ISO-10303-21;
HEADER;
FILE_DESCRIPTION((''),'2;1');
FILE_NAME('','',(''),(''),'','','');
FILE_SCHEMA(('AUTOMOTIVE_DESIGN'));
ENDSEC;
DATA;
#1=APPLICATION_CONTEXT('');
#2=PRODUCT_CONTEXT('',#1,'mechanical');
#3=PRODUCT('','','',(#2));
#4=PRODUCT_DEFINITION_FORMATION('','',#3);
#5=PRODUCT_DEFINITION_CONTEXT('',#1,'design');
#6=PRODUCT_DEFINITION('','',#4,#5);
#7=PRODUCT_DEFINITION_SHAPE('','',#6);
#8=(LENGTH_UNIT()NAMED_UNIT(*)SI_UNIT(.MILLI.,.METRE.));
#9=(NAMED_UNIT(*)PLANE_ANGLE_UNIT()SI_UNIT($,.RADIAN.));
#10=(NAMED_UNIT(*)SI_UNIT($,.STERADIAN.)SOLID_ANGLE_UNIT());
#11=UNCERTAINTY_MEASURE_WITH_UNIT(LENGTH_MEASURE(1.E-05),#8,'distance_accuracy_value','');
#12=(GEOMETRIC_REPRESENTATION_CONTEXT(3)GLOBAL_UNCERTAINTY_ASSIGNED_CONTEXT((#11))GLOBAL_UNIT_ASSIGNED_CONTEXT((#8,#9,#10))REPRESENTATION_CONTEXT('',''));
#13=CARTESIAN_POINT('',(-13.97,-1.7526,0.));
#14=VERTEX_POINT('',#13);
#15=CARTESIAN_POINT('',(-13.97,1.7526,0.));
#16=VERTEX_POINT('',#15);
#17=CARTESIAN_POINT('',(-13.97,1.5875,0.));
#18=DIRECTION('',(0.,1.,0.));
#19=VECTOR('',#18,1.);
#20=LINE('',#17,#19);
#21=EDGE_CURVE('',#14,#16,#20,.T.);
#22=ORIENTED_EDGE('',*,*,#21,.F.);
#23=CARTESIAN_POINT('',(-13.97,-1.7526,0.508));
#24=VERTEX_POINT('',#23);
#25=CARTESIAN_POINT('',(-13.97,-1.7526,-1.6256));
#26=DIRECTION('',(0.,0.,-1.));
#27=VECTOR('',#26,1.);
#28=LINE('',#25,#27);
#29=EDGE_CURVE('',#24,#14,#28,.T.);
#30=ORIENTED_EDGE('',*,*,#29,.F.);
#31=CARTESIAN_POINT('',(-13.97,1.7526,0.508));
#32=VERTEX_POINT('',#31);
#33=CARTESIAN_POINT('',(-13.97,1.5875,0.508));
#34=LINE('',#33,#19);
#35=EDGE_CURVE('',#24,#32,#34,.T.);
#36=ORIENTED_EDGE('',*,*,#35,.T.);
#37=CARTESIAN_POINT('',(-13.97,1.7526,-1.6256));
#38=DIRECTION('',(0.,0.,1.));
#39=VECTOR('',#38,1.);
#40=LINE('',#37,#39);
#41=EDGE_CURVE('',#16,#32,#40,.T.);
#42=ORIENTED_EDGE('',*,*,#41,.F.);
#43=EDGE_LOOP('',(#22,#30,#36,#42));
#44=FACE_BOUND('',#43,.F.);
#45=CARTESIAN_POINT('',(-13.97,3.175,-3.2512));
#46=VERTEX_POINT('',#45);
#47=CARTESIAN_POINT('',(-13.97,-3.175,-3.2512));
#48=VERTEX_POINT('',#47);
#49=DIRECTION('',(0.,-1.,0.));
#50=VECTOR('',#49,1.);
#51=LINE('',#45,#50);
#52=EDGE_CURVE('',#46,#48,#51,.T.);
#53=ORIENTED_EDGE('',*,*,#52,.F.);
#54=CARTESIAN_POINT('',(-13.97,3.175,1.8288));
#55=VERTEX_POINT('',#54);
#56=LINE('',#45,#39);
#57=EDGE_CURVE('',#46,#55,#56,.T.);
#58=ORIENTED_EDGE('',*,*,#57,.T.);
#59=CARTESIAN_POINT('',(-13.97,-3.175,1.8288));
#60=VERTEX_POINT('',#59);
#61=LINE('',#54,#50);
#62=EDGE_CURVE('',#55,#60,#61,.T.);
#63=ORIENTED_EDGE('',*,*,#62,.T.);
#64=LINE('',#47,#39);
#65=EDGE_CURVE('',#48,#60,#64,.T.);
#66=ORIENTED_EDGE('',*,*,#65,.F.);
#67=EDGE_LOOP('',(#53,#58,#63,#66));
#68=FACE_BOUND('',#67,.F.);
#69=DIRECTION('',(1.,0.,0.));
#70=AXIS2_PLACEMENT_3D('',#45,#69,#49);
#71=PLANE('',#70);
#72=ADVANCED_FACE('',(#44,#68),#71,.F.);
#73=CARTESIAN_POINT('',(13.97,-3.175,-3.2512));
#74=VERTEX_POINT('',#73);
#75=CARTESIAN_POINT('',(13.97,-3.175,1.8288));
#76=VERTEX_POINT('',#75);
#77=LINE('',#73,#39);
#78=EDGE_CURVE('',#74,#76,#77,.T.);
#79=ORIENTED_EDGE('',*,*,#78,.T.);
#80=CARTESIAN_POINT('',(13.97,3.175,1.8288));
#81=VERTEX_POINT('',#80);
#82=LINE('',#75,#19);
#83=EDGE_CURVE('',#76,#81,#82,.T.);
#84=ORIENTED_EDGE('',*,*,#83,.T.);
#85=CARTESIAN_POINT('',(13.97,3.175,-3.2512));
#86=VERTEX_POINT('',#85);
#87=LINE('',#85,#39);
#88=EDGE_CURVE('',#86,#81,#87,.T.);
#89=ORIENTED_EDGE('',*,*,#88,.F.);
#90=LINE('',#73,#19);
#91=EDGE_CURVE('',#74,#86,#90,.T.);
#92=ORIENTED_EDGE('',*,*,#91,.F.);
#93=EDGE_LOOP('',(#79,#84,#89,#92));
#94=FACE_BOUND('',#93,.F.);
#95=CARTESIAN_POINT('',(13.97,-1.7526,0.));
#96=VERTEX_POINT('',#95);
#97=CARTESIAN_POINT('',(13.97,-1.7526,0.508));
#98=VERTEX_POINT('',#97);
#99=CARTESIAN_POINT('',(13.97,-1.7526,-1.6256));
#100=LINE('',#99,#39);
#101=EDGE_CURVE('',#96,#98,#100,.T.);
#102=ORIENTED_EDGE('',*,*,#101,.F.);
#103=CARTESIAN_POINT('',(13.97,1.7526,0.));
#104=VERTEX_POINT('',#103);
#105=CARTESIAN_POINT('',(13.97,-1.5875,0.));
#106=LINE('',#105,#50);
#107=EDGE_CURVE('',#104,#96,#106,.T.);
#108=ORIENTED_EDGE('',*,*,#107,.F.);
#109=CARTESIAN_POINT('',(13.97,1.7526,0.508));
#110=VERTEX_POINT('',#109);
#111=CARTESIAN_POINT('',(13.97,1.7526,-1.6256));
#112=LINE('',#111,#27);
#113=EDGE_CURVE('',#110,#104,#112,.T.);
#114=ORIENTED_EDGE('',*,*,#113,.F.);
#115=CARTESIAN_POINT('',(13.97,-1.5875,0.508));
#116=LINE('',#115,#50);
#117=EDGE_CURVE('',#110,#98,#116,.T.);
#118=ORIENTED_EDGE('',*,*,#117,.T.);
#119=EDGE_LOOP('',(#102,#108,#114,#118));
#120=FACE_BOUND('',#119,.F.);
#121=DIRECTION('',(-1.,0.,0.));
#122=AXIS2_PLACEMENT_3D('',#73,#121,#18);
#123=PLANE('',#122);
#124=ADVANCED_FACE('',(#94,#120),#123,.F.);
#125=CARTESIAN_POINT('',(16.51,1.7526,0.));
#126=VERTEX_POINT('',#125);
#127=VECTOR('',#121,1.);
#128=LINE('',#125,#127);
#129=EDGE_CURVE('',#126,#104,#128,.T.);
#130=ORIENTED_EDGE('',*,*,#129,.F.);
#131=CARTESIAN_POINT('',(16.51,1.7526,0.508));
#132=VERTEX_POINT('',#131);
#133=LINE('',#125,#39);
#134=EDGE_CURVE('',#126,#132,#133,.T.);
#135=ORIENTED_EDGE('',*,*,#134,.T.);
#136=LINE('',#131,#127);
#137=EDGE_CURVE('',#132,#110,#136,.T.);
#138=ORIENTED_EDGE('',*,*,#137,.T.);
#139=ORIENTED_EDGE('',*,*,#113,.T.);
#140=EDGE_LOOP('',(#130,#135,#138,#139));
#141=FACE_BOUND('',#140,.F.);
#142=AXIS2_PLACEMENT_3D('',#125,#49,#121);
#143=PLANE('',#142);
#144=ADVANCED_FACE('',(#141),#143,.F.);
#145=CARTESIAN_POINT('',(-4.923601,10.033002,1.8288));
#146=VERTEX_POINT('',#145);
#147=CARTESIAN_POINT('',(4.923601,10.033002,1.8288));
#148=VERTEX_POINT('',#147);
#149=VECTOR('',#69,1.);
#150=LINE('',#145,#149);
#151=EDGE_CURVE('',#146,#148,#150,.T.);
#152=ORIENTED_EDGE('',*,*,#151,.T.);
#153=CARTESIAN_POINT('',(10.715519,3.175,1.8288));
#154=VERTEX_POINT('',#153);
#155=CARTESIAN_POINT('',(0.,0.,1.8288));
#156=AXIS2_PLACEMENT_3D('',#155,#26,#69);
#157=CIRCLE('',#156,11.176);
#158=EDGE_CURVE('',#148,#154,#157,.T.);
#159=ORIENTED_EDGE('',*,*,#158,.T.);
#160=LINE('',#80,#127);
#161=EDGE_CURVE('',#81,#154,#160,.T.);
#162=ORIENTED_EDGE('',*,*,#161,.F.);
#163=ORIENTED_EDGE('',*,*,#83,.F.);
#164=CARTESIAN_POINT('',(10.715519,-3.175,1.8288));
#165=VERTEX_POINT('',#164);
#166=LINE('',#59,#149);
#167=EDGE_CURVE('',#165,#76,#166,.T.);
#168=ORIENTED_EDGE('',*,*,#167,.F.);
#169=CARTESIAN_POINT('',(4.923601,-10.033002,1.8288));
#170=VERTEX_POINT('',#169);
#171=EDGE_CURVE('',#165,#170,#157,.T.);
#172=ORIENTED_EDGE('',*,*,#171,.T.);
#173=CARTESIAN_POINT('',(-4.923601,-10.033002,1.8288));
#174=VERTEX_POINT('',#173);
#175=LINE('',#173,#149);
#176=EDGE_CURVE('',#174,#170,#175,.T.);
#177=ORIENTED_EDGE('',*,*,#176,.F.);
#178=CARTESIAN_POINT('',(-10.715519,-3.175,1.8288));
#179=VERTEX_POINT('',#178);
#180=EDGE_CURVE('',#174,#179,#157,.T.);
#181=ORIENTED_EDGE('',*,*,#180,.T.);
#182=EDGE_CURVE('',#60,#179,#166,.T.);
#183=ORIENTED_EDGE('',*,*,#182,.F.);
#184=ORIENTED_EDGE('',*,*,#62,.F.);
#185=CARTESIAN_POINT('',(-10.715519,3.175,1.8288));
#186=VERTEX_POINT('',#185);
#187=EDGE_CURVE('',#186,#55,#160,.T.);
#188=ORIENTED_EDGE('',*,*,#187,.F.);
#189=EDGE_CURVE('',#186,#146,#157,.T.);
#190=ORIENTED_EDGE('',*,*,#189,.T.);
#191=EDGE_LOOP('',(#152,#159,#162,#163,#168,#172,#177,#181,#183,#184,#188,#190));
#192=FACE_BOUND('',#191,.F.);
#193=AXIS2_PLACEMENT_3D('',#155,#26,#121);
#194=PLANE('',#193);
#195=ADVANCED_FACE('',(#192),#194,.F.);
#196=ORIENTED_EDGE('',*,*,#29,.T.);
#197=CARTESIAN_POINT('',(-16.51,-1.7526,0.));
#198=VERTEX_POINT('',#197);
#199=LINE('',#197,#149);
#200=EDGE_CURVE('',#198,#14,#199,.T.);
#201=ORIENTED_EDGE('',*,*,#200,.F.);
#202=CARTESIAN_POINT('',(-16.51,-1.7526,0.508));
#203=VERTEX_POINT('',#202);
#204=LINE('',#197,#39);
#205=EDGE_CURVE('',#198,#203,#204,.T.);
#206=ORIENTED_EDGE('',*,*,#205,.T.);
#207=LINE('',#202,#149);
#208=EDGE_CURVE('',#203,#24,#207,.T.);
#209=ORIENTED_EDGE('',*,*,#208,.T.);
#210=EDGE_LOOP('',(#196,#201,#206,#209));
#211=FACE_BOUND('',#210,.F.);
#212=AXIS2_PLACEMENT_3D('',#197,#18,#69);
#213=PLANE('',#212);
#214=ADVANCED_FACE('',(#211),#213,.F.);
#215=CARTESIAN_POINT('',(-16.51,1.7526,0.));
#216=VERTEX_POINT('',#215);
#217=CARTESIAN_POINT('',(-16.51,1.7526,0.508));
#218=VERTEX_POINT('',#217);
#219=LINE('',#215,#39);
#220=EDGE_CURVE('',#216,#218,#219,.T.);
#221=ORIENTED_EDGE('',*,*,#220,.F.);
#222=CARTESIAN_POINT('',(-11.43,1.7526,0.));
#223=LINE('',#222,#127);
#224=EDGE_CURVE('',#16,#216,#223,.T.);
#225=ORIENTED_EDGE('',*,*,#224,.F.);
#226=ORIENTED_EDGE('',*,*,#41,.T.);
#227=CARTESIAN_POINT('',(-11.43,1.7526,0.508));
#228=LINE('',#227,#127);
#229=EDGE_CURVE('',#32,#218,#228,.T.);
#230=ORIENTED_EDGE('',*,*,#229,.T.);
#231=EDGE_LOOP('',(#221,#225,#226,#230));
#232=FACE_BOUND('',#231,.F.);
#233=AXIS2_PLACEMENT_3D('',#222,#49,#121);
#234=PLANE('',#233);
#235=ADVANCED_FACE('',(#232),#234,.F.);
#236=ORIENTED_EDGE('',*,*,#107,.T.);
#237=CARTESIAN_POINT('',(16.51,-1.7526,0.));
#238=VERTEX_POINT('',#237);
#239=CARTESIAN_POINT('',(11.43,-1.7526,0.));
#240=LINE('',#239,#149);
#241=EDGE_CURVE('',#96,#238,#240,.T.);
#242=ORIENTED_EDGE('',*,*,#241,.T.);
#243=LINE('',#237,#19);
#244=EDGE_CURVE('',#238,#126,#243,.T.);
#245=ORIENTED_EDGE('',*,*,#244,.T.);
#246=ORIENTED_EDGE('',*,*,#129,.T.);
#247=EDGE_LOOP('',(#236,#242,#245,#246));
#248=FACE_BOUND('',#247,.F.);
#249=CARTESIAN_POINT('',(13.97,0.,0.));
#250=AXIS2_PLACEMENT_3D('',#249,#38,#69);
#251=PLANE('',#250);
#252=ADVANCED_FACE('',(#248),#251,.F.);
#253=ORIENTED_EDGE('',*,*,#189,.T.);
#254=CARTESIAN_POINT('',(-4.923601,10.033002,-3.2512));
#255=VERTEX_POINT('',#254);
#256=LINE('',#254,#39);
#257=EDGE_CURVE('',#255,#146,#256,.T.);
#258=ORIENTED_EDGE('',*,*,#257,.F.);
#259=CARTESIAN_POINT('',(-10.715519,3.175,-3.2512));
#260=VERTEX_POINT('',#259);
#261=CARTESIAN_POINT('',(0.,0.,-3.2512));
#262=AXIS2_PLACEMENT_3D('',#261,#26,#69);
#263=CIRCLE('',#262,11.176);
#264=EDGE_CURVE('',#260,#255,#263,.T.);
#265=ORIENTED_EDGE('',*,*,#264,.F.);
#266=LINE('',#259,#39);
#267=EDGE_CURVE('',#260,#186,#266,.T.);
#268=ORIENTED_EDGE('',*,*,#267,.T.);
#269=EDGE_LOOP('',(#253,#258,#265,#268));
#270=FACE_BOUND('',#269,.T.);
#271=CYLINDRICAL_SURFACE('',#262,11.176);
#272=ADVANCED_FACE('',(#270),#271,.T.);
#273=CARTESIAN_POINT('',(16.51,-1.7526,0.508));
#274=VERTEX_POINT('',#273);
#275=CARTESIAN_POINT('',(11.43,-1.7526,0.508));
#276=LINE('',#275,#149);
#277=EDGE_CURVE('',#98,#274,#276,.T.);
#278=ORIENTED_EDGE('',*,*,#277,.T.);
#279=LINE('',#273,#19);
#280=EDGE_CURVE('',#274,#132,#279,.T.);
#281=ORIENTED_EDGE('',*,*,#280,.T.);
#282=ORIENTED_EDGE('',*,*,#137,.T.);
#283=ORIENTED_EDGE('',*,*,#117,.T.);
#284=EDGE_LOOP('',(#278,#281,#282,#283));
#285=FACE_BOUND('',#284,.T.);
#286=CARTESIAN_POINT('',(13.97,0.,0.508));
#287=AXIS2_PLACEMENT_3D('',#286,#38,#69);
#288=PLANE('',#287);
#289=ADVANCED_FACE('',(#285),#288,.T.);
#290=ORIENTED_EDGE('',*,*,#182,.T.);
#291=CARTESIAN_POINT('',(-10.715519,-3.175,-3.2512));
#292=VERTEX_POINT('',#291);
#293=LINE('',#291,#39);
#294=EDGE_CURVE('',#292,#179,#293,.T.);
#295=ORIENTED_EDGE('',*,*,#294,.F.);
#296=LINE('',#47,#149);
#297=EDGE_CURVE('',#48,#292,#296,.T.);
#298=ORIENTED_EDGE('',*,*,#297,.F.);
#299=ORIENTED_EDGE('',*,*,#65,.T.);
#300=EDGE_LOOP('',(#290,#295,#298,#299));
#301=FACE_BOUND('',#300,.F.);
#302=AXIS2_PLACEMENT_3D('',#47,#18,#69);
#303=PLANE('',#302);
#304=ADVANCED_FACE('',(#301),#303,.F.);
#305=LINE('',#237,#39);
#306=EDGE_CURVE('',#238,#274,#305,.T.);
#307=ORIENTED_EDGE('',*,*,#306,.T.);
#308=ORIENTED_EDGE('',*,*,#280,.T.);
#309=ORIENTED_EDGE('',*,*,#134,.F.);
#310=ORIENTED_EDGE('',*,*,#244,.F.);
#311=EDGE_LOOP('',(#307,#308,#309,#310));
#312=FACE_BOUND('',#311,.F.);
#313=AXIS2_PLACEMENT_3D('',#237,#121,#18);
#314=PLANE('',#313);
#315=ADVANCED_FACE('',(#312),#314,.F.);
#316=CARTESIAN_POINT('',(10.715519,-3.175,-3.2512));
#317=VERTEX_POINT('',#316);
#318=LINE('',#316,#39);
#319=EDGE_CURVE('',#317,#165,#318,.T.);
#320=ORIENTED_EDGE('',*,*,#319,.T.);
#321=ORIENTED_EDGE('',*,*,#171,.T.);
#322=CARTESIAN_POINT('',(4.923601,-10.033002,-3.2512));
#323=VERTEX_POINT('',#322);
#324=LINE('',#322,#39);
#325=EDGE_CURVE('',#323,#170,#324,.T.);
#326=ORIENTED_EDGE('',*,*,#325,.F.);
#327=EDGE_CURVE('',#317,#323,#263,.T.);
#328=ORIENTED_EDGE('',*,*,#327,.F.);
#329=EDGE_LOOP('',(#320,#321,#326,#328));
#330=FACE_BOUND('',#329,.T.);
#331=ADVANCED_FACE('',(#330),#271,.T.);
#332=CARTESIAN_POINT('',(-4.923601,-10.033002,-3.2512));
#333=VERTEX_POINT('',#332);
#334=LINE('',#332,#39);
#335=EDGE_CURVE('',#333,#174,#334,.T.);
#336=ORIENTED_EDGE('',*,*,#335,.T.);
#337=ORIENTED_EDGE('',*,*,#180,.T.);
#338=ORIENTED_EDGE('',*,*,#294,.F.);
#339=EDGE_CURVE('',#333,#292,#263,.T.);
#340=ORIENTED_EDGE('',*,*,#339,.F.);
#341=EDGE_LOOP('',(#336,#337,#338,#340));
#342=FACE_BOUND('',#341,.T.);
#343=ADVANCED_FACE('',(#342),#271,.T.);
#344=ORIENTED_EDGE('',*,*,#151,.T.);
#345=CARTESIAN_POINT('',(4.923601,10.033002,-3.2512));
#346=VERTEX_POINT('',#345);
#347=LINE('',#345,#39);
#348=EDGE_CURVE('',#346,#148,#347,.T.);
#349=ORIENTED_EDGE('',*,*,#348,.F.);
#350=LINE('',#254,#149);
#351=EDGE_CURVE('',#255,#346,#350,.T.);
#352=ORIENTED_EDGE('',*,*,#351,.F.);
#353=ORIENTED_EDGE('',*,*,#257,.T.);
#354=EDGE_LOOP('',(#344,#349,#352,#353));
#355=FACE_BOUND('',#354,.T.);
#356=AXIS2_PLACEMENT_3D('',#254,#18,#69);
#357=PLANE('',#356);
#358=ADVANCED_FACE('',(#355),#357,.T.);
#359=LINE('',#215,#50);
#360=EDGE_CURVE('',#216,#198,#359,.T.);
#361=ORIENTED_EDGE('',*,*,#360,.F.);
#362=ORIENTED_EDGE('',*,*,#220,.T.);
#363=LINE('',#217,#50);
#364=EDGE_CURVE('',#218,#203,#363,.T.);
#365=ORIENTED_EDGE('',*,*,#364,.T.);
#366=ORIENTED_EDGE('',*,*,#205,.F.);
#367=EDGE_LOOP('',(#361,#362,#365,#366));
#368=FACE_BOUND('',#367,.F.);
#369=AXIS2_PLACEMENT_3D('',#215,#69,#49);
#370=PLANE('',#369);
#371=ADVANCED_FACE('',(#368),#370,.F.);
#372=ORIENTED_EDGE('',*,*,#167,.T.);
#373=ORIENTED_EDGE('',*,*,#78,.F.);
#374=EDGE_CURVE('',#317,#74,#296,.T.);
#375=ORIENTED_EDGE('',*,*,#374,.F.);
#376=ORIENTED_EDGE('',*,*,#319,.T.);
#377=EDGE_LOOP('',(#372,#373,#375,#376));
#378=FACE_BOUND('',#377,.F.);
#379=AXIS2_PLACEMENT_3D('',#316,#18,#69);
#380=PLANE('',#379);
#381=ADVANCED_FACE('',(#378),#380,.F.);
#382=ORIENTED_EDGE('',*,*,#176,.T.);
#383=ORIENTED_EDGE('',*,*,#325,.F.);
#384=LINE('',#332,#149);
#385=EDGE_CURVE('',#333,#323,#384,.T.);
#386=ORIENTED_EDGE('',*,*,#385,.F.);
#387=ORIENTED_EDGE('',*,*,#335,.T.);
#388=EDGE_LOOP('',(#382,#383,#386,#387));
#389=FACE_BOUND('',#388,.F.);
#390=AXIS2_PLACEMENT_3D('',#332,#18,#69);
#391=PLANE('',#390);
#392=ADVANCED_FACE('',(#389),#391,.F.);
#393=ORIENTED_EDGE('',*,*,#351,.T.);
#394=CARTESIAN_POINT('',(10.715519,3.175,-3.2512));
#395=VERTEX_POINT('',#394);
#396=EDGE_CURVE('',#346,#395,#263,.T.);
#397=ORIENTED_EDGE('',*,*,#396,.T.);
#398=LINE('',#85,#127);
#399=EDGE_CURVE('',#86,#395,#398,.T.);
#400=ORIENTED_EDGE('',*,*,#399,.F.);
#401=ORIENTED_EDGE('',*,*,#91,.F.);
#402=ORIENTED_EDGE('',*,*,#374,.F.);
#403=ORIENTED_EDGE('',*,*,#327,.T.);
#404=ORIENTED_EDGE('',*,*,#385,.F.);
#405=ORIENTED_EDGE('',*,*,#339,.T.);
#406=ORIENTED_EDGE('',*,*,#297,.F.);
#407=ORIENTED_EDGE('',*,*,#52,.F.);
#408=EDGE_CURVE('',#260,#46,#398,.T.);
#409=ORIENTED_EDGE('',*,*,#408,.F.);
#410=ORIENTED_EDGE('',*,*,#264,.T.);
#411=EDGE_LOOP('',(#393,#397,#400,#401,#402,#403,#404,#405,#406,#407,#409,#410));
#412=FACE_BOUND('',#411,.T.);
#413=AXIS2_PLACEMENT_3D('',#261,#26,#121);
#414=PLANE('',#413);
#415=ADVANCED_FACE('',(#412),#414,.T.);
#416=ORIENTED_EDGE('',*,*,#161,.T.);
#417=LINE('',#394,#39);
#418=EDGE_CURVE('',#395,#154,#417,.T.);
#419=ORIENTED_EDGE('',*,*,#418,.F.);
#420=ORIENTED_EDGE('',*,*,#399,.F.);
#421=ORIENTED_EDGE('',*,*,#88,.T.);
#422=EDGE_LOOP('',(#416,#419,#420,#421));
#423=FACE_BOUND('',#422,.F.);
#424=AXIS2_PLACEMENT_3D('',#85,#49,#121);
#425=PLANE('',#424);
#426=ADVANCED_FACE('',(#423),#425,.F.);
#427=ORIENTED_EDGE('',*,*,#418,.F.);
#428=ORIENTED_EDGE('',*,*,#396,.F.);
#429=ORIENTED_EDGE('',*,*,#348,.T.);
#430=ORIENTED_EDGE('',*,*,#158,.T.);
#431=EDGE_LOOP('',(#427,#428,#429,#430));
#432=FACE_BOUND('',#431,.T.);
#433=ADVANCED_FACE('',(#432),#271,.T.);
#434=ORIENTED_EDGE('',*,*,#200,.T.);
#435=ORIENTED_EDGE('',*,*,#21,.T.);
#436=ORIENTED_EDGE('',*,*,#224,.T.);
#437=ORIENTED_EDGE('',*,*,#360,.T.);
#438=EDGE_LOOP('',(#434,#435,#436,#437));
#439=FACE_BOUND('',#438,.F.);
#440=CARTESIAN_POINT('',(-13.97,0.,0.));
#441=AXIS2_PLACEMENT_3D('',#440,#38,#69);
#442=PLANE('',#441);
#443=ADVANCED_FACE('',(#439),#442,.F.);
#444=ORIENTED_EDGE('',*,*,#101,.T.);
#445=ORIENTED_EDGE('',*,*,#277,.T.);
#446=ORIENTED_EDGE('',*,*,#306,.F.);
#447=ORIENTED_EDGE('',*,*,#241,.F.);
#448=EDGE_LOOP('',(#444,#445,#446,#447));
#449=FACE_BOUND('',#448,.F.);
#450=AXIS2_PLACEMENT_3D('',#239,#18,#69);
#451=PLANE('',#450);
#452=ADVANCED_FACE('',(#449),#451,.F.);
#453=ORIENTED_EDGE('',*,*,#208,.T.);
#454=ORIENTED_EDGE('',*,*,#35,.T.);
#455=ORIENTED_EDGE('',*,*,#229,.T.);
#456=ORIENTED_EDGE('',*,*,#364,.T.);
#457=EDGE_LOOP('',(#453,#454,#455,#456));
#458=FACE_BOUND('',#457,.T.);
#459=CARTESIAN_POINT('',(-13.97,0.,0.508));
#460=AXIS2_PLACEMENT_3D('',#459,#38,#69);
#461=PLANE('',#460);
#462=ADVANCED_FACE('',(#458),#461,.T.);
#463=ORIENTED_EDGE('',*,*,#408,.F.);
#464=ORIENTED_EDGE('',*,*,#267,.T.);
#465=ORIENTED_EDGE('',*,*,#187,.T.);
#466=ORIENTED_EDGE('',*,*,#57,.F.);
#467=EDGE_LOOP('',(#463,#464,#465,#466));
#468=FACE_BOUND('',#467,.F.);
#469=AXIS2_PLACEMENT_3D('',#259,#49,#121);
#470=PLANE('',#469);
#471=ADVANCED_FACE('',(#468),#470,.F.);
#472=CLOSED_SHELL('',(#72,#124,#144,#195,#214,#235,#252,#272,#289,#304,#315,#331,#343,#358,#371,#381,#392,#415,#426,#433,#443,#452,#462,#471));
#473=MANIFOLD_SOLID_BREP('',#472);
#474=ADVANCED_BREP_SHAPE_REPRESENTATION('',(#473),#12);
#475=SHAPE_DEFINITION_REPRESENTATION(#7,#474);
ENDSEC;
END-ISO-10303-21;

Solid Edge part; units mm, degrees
sketch "Sketch1" plane through (0, 0, 0) normal (0, 0, 1) x (1, 0, 0)
  line L0 (-11.43, -1.7526) -> (-11.43, 1.7526)
  line L1 (-11.43, 1.7526) -> (-16.51, 1.7526)
  line L2 (-16.51, 1.7526) -> (-16.51, -1.7526)
  line L3 (-16.51, -1.7526) -> (-11.43, -1.7526)
  line L4 (16.51, 1.7526) -> (11.43, 1.7526)
  line L5 (11.43, 1.7526) -> (11.43, -1.7526)
  line L6 (11.43, -1.7526) -> (16.51, -1.7526)
  line L7 (16.51, -1.7526) -> (16.51, 1.7526)
  dimension "D1" = 33.02
  dimension "D2" = 3.5052
  dimension "D3" = 16.51
  dimension "D4" = 5.08
extrude "Protrusion1" add sketch "Sketch1" along normal blind 0.508
sketch "Sketch2" plane through (0, 0, -3.2512) normal (0, 0, 1) x (1, 0, 0)
  line L0 (-13.97, -3.175) -> (13.97, -3.175)
  line L1 (-13.97, 3.175) -> (-13.97, -3.175)
  line L2 (13.97, 3.175) -> (-13.97, 3.175)
  line L3 (-4.9236, 10.033) -> (4.9236, 10.033)
  arc A0 (4.9236, 10.033) -> (4.9236, -10.033) centre (0, 0) cw
  line L4 (13.97, -3.175) -> (13.97, 3.175)
  line L5 (-4.9236, -10.033) -> (4.9236, -10.033)
  arc A1 (-4.9236, -10.033) -> (-4.9236, 10.033) centre (0, 0) cw
  arc A2 (-4.9236, -10.033) -> (-4.9236, 10.033) centre (0, 0) cw construction
extrude "ExtrudedProtrusion_2" add sketch "Sketch2" along normal blind 5.08
